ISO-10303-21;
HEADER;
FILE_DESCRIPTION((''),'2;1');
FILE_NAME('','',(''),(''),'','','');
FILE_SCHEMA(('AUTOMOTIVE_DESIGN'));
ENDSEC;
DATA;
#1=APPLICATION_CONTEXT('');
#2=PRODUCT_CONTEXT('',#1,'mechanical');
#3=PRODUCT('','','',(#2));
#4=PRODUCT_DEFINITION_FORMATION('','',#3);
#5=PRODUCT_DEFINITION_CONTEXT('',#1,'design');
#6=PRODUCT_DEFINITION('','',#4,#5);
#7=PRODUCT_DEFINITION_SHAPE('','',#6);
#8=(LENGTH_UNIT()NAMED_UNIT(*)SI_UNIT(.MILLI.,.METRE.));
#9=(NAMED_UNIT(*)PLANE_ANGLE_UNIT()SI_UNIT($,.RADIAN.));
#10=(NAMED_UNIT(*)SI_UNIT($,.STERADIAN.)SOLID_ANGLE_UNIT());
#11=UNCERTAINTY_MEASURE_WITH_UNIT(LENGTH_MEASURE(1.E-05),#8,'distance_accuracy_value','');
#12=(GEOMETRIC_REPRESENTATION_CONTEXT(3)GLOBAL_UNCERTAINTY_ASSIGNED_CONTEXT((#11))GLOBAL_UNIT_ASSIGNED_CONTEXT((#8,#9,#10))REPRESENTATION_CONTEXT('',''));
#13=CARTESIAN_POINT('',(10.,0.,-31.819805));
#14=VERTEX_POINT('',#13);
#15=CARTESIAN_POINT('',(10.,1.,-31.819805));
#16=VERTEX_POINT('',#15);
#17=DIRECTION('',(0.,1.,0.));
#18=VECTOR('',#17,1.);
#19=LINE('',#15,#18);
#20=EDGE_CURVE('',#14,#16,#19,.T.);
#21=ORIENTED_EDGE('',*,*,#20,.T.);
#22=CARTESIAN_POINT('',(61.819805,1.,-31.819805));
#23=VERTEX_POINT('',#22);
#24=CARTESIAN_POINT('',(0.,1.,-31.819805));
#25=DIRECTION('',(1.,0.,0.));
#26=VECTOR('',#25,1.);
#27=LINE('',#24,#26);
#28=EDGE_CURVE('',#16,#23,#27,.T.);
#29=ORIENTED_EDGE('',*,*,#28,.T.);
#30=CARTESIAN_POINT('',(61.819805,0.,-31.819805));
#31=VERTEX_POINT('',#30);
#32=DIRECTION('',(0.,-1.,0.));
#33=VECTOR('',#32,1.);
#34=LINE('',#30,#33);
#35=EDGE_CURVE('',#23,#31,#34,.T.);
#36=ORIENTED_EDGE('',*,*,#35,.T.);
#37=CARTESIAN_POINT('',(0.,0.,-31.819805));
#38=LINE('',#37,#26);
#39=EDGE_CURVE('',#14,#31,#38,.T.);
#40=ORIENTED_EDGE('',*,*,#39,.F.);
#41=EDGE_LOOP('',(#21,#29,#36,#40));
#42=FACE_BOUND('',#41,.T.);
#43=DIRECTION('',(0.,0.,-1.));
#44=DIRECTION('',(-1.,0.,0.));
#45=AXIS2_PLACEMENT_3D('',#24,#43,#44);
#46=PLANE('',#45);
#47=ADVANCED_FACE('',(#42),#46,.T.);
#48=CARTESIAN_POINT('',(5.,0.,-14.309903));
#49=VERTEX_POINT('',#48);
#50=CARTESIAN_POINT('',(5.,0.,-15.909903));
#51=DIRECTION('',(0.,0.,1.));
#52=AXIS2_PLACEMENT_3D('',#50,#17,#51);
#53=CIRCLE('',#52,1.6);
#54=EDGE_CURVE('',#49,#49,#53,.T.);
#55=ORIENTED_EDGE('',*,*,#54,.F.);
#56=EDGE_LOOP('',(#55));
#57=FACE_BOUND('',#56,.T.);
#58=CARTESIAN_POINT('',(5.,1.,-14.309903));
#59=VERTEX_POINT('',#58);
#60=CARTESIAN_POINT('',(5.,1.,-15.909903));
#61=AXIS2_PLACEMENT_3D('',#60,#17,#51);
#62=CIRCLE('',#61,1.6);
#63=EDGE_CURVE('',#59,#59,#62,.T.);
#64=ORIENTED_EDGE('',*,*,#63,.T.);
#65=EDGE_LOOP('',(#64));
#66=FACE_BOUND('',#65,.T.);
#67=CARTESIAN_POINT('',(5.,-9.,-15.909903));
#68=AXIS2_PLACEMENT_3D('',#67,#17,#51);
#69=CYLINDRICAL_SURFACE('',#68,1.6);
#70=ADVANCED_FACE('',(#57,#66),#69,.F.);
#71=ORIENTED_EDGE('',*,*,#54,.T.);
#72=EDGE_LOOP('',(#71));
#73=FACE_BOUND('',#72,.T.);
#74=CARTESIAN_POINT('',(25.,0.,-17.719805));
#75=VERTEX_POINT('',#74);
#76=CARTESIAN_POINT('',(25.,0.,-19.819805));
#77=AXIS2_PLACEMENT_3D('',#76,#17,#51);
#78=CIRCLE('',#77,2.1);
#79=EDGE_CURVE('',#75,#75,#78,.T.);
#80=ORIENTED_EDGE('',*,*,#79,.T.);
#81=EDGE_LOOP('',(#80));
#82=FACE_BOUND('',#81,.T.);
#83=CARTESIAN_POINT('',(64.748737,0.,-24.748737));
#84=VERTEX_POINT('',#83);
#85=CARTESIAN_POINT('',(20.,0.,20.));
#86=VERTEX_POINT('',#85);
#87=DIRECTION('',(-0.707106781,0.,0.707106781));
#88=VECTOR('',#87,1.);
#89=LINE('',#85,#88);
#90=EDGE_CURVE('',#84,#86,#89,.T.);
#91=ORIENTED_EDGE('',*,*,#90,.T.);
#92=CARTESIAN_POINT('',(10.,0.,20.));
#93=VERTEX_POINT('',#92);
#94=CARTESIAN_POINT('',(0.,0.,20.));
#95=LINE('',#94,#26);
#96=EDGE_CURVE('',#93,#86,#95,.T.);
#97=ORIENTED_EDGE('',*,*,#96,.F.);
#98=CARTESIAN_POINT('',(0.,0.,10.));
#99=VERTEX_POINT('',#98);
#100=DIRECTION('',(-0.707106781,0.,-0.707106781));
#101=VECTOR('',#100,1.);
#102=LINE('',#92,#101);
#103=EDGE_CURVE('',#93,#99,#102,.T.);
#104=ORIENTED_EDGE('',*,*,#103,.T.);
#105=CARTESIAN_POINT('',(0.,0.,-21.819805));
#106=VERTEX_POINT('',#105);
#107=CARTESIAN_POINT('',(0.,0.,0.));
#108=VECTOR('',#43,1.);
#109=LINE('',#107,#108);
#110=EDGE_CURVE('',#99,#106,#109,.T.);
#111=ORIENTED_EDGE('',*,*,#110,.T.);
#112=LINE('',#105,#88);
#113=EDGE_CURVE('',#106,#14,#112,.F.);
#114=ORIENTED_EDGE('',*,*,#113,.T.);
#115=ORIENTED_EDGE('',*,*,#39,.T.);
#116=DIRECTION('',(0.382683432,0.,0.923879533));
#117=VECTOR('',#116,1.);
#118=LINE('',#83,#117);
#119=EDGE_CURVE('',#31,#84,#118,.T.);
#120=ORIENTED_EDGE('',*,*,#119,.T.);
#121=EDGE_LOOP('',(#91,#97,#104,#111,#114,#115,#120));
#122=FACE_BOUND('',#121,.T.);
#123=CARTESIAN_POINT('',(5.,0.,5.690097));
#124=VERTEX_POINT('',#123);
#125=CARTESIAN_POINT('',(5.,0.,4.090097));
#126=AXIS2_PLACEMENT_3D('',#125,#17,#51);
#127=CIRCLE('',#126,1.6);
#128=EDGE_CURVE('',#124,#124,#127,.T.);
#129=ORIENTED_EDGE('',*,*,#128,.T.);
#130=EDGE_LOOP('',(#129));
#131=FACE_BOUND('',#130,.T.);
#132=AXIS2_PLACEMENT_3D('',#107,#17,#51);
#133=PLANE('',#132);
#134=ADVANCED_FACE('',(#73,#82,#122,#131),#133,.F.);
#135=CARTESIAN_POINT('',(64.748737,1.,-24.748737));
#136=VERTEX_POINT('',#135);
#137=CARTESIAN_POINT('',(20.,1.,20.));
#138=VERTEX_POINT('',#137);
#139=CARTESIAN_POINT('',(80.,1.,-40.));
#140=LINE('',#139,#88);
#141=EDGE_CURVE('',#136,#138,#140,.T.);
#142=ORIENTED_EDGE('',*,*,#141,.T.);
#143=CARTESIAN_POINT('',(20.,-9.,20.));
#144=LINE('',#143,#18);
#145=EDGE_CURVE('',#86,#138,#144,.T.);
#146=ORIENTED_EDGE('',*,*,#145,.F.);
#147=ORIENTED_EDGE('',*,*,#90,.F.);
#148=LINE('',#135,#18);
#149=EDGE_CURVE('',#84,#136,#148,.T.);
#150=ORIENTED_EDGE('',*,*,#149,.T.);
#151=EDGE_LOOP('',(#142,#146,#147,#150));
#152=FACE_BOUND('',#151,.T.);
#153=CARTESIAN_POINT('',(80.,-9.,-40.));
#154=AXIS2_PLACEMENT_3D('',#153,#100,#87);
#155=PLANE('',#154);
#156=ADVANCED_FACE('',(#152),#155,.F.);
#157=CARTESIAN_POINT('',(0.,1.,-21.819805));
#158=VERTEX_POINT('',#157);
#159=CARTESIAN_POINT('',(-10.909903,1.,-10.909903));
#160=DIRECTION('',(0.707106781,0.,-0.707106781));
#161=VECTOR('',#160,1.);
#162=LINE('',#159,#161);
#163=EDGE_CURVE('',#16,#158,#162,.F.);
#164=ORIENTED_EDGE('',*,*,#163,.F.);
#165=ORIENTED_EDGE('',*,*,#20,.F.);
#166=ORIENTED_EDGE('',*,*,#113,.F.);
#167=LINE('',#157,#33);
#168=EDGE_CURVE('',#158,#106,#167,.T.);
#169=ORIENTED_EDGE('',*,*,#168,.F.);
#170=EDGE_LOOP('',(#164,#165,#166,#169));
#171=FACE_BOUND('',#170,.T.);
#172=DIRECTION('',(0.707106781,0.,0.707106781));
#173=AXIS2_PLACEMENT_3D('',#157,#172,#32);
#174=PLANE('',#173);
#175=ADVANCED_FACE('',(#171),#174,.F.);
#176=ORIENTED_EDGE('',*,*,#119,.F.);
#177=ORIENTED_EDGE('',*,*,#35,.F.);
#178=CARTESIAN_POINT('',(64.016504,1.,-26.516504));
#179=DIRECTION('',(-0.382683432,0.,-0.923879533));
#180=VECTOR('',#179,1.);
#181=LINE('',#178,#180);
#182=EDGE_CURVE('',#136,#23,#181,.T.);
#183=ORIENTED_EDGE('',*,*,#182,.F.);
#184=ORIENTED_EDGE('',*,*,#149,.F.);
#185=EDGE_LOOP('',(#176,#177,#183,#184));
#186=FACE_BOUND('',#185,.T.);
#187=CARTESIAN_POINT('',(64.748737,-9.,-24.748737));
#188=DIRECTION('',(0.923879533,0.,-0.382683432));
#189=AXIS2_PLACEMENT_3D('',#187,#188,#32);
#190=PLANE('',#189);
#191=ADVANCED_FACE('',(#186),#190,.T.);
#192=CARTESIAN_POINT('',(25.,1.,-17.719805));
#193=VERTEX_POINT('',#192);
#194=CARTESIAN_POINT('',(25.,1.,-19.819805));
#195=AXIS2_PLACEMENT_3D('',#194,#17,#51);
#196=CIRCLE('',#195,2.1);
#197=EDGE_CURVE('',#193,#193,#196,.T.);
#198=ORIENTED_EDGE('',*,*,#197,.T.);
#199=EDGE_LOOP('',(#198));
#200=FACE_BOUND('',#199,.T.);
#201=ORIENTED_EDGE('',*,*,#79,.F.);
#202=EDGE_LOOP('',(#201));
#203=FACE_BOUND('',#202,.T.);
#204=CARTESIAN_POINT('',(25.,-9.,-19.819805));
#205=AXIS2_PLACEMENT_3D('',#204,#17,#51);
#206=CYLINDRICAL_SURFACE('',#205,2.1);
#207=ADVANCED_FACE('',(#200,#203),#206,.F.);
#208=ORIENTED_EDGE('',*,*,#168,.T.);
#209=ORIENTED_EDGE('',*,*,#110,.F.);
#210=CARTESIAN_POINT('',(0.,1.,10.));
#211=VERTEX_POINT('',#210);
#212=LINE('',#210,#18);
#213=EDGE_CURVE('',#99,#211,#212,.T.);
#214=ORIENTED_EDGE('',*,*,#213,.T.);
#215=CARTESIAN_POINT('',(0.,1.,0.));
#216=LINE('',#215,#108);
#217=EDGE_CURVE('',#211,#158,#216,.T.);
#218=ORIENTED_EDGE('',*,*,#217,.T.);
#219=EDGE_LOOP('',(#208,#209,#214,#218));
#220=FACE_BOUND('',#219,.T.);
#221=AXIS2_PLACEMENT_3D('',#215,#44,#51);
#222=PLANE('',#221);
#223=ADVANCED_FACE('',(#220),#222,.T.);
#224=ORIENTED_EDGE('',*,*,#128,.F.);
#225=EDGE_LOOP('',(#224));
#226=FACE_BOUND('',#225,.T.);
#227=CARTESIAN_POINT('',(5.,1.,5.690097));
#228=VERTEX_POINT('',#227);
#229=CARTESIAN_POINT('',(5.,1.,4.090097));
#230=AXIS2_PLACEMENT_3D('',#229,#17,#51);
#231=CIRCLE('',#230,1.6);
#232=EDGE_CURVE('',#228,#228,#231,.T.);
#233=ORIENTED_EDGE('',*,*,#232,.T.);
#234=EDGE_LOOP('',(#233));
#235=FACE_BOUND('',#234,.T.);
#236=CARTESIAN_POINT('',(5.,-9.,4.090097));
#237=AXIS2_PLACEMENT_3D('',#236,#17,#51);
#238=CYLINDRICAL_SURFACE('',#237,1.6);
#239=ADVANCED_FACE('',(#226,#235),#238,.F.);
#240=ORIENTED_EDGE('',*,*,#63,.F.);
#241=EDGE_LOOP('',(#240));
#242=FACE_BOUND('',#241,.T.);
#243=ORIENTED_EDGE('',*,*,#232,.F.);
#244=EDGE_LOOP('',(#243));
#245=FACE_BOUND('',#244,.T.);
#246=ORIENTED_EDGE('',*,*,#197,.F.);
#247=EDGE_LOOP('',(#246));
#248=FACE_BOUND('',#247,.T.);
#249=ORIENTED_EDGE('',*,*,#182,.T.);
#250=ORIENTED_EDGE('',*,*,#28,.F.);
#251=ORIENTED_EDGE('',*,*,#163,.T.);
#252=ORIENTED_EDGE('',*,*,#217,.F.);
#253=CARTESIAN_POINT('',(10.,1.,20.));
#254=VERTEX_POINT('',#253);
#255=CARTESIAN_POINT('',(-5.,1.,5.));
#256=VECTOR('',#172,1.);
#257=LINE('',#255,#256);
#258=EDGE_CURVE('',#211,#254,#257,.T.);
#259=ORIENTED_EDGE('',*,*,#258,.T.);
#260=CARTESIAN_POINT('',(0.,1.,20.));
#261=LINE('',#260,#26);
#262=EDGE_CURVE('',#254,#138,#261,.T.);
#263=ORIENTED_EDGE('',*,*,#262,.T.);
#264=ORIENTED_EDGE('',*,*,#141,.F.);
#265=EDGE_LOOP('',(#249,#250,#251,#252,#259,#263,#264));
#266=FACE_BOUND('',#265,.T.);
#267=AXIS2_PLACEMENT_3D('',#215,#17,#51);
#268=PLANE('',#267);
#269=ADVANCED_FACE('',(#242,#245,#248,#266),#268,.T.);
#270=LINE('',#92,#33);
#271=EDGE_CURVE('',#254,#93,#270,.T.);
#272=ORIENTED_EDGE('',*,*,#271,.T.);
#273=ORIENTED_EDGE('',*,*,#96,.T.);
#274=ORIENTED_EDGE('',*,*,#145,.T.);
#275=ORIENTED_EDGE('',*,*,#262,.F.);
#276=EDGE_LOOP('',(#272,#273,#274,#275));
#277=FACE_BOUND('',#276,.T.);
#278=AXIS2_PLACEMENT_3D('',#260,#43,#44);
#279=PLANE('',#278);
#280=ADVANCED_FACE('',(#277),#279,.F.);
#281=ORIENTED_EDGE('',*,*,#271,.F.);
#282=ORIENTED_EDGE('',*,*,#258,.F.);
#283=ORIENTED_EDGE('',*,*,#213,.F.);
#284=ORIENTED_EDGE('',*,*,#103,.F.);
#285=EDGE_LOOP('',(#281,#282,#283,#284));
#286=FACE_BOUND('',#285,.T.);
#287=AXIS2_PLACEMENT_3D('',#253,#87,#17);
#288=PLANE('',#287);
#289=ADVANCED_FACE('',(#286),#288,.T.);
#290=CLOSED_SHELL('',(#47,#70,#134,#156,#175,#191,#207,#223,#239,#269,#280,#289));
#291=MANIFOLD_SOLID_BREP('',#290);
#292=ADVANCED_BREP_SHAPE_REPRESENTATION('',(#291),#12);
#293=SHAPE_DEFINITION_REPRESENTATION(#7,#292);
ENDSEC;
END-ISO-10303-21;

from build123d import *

# Parameters (mm, degrees)
SKETCH_1_W          = 80
SKETCH_1_H          = 31.819805153
SKETCH_1_H_2        = 20
EXTRUDE_1_DEPTH     = 1
CUT_EXTRUDE_1_DEPTH = 10
CHAMFER_1_SIZE      = 10
SKETCH_4_R          = 1.6
SKETCH_4_R_2        = 2.1
CUT_EXTRUDE_2_DEPTH = 10


with BuildPart() as part:
    # 草图1 → 凸台-拉伸1 (new body)
    with BuildSketch(Plane(origin=(0, 0, 0), x_dir=(1, 0, 0), z_dir=(0, 1, 0))):
        with Locations((40, 15.909902577)):
            Rectangle(SKETCH_1_W, SKETCH_1_H)
        with Locations((40, -10)):
            Rectangle(SKETCH_1_W, SKETCH_1_H_2)
    extrude(amount=EXTRUDE_1_DEPTH)

    # 草图3 → 切除-拉伸1 (cut)
    with BuildSketch(Plane(origin=(0, 1, 0), x_dir=(1, 0, 0), z_dir=(0, 1, 0))):
        Polygon((80, -20), (80, 40), (20, -20), align=None)
    extrude(amount=-CUT_EXTRUDE_1_DEPTH, mode=Mode.SUBTRACT)

    # 倒角1
    chamfer_1_edges = [part.edges().sort_by_distance(p)[0] for p in [
        (0, 0.5, 20),
        (71.819805153, 0.5, -31.819805153),
        (0, 0.5, -31.819805153),
    ]]
    chamfer(chamfer_1_edges, length=CHAMFER_1_SIZE)

    # 草图4 → 切除-拉伸2 (cut)
    with BuildSketch(Plane(origin=(0, 1, 0), x_dir=(1, 0, 0), z_dir=(0, 1, 0))):
        with Locations(Location((5, 15.909902577, 0), (0, 0, 270))):
            Circle(SKETCH_4_R)
        with Locations(Location((5, -4.090097423, 0), (0, 0, 270))):
            Circle(SKETCH_4_R)
        with Locations(Location((25, 19.819805153, 0), (0, 0, 270))):
            Circle(SKETCH_4_R_2)
    extrude(amount=-CUT_EXTRUDE_2_DEPTH, mode=Mode.SUBTRACT)


solid = part.part
